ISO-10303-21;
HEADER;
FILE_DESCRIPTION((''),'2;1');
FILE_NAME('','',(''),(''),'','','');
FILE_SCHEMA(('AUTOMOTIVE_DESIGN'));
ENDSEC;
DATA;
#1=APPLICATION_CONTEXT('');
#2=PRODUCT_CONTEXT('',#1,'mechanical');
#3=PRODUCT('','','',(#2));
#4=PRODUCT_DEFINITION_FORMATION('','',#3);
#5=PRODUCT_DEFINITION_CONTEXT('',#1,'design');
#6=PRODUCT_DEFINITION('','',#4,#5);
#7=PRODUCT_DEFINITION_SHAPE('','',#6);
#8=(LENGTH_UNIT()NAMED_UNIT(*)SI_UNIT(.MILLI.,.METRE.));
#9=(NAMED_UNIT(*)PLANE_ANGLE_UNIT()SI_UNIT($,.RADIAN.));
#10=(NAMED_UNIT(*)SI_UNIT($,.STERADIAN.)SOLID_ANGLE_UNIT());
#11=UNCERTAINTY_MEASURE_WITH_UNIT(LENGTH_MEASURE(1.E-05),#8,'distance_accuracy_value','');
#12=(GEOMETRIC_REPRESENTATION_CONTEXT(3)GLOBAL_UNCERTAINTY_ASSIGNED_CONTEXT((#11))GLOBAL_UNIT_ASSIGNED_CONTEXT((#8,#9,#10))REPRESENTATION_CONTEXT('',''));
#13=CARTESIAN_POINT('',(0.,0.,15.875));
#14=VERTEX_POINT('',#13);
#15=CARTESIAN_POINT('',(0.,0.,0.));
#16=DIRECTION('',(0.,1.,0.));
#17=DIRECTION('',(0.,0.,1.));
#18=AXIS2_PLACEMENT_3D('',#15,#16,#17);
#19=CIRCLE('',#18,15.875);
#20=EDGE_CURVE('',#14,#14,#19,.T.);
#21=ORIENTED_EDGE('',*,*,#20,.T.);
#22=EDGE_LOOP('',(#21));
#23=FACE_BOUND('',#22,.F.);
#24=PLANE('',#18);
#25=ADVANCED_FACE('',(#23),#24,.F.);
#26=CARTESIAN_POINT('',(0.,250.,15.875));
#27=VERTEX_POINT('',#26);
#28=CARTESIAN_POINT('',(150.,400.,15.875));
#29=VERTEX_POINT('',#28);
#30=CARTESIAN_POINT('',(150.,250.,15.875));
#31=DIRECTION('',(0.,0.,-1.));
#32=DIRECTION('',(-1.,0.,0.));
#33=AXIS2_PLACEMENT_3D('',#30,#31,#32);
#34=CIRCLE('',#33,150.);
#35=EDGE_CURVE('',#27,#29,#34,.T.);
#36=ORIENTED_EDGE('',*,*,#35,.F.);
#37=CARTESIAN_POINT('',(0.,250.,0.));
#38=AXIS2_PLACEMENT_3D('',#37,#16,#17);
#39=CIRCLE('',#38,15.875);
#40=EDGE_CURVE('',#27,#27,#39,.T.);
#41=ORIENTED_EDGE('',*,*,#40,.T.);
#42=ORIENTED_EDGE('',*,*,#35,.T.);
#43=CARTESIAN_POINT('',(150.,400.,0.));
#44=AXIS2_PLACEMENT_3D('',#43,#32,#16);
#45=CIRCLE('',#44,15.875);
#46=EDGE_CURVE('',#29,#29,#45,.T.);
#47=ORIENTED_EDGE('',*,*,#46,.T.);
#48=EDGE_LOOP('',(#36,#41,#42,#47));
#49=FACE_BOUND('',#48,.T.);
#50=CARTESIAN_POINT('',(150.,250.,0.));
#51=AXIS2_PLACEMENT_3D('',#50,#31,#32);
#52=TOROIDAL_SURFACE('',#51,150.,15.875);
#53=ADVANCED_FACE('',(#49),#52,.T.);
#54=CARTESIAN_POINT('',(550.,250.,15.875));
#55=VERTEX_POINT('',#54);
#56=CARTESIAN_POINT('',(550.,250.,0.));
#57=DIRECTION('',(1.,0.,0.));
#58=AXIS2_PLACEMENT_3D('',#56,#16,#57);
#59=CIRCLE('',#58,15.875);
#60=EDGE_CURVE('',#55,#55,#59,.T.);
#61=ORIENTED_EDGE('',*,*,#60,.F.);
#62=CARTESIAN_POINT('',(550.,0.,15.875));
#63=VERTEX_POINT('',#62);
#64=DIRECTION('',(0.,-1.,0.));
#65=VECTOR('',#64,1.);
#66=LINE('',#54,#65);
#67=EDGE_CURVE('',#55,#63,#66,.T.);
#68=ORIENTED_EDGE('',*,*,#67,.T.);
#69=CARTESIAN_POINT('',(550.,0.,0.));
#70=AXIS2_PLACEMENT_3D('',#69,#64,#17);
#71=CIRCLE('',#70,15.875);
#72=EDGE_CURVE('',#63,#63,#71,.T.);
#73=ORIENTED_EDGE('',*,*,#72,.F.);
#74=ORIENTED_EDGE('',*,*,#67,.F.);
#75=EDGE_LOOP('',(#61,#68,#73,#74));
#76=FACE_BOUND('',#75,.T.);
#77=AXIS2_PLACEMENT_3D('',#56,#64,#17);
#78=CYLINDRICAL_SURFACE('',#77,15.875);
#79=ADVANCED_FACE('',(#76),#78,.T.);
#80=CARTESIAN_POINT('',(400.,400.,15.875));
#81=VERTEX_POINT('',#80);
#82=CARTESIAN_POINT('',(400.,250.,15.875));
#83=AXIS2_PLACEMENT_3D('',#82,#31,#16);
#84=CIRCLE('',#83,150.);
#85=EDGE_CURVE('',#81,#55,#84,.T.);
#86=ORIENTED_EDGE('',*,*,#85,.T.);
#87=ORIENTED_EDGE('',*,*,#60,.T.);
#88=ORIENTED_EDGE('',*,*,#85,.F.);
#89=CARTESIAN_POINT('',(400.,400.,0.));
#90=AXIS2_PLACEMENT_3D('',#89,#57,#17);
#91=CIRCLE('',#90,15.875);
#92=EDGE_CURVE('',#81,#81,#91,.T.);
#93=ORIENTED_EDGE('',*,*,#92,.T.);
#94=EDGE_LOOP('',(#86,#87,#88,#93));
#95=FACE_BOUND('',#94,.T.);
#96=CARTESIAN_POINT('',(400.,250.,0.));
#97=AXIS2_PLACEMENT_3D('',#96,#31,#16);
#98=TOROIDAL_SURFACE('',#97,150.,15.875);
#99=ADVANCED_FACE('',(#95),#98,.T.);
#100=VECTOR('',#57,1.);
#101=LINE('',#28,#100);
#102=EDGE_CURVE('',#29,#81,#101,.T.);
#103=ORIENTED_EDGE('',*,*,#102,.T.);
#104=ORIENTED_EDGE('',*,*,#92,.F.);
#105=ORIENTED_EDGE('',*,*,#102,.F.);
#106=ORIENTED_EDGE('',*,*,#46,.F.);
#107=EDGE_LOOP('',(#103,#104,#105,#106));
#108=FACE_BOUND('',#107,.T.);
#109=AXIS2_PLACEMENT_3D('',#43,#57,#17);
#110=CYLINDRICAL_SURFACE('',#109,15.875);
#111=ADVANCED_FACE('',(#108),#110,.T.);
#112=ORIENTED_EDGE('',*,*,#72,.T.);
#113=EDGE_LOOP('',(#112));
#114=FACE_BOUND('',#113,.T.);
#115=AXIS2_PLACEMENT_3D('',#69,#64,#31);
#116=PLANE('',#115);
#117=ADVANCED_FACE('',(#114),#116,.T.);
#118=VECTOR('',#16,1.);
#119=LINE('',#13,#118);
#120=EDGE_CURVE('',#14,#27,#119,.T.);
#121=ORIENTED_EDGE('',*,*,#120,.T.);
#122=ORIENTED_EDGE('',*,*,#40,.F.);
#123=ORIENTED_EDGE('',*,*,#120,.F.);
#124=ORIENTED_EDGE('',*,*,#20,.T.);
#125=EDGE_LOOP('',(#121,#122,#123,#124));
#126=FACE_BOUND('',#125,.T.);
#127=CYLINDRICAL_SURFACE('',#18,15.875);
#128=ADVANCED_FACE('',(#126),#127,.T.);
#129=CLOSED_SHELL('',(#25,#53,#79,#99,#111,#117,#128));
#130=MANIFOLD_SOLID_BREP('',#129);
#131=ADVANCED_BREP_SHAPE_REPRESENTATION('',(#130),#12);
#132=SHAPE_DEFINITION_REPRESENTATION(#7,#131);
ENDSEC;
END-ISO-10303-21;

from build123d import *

# Parameters (mm, degrees)
BALAYAGE1_PROFILE_R = 15.875


with BuildPart() as part:
    # Balayage1: sweep along a path in Esquisse2
    with BuildLine(Plane.XY) as balayage1_path:
        Line((0, 0), (0, 250))
        ThreePointArc((0, 250), (43.933982822, 356.066017178), (150, 400))
        Line((150, 400), (400, 400))
        ThreePointArc((400, 400), (506.066017178, 356.066017178), (550, 250))
        Line((550, 250), (550, 0))
    # Balayage1 profile (on start of the path) → Balayage1 (sweep)
    with BuildSketch(Plane.ZX):
        Circle(BALAYAGE1_PROFILE_R)
    sweep(path=balayage1_path.line)


solid = part.part
